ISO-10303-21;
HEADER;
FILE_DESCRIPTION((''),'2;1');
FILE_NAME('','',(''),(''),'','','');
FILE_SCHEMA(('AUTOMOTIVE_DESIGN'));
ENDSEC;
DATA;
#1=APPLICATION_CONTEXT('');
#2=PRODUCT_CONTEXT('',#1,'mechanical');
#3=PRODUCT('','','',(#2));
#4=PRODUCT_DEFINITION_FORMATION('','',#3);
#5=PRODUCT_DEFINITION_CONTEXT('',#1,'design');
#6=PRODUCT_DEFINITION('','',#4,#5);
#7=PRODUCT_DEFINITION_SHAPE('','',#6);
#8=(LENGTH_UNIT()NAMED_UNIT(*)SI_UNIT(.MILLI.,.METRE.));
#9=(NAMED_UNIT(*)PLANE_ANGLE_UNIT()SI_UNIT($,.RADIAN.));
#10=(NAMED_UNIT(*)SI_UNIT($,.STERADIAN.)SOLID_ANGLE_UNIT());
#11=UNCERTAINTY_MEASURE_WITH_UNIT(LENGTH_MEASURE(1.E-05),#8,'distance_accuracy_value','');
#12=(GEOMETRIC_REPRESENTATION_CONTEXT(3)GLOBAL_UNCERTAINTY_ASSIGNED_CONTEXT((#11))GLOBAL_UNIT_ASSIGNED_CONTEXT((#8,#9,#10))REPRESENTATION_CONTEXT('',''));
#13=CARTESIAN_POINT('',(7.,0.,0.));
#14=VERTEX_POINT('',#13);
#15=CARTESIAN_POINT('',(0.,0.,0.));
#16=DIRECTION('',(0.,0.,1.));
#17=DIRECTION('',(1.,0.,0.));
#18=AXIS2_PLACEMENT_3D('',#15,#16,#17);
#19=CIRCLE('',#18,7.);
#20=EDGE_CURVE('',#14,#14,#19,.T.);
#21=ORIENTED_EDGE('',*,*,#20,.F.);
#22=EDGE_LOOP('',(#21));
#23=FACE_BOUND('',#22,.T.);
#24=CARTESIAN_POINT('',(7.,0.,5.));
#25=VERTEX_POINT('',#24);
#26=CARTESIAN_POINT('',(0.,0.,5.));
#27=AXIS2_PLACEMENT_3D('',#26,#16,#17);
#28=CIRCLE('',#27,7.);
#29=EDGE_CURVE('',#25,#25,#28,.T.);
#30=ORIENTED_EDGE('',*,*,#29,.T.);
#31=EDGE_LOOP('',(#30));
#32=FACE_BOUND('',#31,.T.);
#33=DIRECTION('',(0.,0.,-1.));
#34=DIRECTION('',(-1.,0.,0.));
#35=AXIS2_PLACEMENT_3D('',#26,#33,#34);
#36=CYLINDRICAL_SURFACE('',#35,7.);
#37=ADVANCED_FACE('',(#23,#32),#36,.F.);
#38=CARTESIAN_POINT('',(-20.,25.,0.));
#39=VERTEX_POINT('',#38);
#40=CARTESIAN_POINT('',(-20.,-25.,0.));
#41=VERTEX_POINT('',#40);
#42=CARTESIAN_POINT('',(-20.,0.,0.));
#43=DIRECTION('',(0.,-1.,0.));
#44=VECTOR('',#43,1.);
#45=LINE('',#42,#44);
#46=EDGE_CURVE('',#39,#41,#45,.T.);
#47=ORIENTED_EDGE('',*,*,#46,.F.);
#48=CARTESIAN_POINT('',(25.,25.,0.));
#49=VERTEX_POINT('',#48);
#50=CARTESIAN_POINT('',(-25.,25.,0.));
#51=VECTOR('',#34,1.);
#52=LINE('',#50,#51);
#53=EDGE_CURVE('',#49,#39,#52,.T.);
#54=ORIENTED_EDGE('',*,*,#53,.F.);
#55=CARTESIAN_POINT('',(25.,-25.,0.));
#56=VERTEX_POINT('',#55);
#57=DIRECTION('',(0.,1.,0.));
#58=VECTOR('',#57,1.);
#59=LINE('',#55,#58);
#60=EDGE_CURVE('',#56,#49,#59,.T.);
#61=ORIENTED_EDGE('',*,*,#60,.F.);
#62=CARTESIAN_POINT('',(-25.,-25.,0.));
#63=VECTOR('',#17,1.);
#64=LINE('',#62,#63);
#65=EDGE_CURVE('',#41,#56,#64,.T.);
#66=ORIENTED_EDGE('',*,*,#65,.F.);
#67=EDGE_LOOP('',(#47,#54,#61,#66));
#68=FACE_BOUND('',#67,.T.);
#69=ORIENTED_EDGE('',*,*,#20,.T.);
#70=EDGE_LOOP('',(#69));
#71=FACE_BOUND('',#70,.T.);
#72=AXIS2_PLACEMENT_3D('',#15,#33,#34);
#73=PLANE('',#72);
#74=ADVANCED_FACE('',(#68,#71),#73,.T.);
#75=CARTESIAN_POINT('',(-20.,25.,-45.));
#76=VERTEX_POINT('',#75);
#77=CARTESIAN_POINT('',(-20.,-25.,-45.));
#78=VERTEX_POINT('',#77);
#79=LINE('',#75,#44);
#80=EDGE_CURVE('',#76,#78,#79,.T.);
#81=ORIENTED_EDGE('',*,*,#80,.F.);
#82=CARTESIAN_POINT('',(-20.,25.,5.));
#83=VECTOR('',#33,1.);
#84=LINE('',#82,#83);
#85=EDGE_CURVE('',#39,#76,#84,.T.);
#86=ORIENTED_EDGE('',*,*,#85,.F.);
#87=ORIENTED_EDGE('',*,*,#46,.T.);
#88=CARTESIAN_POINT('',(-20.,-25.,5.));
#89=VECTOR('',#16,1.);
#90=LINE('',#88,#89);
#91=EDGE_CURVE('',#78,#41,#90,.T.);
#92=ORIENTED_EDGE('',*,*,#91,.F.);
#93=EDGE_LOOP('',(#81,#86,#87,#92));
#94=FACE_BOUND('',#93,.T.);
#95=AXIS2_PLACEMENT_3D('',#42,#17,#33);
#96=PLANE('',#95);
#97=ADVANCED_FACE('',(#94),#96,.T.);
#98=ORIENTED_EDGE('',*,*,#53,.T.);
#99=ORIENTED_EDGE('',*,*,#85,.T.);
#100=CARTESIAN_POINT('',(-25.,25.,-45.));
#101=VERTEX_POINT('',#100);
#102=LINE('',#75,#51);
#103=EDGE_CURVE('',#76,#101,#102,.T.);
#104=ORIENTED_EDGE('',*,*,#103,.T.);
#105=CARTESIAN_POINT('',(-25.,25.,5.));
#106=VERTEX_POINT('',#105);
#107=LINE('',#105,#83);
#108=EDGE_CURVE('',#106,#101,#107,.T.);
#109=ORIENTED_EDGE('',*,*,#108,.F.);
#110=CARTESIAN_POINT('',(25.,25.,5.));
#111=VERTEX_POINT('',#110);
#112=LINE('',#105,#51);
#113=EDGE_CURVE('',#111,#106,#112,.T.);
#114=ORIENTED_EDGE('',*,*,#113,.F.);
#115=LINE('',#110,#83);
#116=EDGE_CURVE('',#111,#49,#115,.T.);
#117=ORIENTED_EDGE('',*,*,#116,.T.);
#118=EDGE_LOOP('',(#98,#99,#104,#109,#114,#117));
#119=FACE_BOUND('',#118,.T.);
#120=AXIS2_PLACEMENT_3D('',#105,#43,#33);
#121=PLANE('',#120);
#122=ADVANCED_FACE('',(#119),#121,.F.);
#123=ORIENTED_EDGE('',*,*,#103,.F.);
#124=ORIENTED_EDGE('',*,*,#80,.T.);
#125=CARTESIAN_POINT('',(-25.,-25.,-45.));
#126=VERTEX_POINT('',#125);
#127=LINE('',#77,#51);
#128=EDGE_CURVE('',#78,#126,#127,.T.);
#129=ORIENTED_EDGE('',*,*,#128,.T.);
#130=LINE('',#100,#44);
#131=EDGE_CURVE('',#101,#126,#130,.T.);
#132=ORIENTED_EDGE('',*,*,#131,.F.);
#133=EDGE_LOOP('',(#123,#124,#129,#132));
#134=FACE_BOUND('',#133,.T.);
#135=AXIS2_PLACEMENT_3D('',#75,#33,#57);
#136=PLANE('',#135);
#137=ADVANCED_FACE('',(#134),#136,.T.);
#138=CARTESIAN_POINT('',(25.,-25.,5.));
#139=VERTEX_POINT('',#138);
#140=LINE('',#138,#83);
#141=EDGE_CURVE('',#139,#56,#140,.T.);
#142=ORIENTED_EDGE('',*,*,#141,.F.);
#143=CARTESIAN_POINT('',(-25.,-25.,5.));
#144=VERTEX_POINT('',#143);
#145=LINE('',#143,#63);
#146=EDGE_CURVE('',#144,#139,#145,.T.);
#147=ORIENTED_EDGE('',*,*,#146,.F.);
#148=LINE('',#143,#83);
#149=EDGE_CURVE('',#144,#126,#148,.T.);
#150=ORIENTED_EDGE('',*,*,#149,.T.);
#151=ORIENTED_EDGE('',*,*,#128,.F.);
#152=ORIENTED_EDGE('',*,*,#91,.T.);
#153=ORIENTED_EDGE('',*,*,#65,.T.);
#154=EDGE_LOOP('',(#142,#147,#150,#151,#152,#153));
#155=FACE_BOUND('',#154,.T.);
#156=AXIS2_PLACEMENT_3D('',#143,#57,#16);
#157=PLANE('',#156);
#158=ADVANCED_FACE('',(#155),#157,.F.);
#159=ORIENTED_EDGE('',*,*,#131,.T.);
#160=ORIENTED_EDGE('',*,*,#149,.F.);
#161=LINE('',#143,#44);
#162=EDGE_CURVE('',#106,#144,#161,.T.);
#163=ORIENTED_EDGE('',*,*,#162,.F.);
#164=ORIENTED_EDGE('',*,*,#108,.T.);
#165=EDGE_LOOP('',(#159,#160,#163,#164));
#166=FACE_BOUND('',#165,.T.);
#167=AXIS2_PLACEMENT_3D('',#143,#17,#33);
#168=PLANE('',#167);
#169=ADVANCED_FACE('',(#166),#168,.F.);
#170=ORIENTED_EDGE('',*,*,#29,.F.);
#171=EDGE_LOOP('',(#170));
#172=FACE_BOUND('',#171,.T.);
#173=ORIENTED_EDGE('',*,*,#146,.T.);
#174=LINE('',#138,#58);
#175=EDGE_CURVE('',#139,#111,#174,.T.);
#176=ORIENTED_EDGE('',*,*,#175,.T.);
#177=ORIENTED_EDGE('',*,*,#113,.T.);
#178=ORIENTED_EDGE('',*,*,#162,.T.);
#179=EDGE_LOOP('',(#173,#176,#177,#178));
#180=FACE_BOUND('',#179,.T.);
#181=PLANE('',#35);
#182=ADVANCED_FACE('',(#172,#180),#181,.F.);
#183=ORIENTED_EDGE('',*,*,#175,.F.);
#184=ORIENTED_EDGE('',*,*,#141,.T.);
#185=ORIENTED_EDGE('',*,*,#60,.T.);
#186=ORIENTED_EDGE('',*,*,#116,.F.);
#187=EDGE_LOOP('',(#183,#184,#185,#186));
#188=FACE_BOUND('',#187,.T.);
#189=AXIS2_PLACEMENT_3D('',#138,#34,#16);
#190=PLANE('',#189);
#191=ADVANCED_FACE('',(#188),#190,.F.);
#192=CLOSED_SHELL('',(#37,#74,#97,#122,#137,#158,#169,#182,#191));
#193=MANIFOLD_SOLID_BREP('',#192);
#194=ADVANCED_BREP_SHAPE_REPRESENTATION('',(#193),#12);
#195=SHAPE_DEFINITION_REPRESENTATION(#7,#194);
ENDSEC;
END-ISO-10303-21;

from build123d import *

# Parameters (mm, degrees)
SKETCH_1_W      = 50
SKETCH_1_H      = 50
SKETCH_1_R      = 7
EXTRUDE_1_DEPTH = 5
SKETCH_2_W      = 50
SKETCH_2_H      = 50
EXTRUDE_2_DEPTH = 5


with BuildPart() as part:
    # 草图1 → 凸台-拉伸1 (new body)
    with BuildSketch(Plane.XY):
        Rectangle(SKETCH_1_W, SKETCH_1_H)
        Circle(SKETCH_1_R, mode=Mode.SUBTRACT)
    extrude(amount=EXTRUDE_1_DEPTH)

    # 草图2 → 凸台-拉伸2 (add)
    with BuildSketch(Plane.ZY.offset(25)):
        with Locations((-20, 0)):
            Rectangle(SKETCH_2_W, SKETCH_2_H)
    extrude(amount=-EXTRUDE_2_DEPTH)


solid = part.part
